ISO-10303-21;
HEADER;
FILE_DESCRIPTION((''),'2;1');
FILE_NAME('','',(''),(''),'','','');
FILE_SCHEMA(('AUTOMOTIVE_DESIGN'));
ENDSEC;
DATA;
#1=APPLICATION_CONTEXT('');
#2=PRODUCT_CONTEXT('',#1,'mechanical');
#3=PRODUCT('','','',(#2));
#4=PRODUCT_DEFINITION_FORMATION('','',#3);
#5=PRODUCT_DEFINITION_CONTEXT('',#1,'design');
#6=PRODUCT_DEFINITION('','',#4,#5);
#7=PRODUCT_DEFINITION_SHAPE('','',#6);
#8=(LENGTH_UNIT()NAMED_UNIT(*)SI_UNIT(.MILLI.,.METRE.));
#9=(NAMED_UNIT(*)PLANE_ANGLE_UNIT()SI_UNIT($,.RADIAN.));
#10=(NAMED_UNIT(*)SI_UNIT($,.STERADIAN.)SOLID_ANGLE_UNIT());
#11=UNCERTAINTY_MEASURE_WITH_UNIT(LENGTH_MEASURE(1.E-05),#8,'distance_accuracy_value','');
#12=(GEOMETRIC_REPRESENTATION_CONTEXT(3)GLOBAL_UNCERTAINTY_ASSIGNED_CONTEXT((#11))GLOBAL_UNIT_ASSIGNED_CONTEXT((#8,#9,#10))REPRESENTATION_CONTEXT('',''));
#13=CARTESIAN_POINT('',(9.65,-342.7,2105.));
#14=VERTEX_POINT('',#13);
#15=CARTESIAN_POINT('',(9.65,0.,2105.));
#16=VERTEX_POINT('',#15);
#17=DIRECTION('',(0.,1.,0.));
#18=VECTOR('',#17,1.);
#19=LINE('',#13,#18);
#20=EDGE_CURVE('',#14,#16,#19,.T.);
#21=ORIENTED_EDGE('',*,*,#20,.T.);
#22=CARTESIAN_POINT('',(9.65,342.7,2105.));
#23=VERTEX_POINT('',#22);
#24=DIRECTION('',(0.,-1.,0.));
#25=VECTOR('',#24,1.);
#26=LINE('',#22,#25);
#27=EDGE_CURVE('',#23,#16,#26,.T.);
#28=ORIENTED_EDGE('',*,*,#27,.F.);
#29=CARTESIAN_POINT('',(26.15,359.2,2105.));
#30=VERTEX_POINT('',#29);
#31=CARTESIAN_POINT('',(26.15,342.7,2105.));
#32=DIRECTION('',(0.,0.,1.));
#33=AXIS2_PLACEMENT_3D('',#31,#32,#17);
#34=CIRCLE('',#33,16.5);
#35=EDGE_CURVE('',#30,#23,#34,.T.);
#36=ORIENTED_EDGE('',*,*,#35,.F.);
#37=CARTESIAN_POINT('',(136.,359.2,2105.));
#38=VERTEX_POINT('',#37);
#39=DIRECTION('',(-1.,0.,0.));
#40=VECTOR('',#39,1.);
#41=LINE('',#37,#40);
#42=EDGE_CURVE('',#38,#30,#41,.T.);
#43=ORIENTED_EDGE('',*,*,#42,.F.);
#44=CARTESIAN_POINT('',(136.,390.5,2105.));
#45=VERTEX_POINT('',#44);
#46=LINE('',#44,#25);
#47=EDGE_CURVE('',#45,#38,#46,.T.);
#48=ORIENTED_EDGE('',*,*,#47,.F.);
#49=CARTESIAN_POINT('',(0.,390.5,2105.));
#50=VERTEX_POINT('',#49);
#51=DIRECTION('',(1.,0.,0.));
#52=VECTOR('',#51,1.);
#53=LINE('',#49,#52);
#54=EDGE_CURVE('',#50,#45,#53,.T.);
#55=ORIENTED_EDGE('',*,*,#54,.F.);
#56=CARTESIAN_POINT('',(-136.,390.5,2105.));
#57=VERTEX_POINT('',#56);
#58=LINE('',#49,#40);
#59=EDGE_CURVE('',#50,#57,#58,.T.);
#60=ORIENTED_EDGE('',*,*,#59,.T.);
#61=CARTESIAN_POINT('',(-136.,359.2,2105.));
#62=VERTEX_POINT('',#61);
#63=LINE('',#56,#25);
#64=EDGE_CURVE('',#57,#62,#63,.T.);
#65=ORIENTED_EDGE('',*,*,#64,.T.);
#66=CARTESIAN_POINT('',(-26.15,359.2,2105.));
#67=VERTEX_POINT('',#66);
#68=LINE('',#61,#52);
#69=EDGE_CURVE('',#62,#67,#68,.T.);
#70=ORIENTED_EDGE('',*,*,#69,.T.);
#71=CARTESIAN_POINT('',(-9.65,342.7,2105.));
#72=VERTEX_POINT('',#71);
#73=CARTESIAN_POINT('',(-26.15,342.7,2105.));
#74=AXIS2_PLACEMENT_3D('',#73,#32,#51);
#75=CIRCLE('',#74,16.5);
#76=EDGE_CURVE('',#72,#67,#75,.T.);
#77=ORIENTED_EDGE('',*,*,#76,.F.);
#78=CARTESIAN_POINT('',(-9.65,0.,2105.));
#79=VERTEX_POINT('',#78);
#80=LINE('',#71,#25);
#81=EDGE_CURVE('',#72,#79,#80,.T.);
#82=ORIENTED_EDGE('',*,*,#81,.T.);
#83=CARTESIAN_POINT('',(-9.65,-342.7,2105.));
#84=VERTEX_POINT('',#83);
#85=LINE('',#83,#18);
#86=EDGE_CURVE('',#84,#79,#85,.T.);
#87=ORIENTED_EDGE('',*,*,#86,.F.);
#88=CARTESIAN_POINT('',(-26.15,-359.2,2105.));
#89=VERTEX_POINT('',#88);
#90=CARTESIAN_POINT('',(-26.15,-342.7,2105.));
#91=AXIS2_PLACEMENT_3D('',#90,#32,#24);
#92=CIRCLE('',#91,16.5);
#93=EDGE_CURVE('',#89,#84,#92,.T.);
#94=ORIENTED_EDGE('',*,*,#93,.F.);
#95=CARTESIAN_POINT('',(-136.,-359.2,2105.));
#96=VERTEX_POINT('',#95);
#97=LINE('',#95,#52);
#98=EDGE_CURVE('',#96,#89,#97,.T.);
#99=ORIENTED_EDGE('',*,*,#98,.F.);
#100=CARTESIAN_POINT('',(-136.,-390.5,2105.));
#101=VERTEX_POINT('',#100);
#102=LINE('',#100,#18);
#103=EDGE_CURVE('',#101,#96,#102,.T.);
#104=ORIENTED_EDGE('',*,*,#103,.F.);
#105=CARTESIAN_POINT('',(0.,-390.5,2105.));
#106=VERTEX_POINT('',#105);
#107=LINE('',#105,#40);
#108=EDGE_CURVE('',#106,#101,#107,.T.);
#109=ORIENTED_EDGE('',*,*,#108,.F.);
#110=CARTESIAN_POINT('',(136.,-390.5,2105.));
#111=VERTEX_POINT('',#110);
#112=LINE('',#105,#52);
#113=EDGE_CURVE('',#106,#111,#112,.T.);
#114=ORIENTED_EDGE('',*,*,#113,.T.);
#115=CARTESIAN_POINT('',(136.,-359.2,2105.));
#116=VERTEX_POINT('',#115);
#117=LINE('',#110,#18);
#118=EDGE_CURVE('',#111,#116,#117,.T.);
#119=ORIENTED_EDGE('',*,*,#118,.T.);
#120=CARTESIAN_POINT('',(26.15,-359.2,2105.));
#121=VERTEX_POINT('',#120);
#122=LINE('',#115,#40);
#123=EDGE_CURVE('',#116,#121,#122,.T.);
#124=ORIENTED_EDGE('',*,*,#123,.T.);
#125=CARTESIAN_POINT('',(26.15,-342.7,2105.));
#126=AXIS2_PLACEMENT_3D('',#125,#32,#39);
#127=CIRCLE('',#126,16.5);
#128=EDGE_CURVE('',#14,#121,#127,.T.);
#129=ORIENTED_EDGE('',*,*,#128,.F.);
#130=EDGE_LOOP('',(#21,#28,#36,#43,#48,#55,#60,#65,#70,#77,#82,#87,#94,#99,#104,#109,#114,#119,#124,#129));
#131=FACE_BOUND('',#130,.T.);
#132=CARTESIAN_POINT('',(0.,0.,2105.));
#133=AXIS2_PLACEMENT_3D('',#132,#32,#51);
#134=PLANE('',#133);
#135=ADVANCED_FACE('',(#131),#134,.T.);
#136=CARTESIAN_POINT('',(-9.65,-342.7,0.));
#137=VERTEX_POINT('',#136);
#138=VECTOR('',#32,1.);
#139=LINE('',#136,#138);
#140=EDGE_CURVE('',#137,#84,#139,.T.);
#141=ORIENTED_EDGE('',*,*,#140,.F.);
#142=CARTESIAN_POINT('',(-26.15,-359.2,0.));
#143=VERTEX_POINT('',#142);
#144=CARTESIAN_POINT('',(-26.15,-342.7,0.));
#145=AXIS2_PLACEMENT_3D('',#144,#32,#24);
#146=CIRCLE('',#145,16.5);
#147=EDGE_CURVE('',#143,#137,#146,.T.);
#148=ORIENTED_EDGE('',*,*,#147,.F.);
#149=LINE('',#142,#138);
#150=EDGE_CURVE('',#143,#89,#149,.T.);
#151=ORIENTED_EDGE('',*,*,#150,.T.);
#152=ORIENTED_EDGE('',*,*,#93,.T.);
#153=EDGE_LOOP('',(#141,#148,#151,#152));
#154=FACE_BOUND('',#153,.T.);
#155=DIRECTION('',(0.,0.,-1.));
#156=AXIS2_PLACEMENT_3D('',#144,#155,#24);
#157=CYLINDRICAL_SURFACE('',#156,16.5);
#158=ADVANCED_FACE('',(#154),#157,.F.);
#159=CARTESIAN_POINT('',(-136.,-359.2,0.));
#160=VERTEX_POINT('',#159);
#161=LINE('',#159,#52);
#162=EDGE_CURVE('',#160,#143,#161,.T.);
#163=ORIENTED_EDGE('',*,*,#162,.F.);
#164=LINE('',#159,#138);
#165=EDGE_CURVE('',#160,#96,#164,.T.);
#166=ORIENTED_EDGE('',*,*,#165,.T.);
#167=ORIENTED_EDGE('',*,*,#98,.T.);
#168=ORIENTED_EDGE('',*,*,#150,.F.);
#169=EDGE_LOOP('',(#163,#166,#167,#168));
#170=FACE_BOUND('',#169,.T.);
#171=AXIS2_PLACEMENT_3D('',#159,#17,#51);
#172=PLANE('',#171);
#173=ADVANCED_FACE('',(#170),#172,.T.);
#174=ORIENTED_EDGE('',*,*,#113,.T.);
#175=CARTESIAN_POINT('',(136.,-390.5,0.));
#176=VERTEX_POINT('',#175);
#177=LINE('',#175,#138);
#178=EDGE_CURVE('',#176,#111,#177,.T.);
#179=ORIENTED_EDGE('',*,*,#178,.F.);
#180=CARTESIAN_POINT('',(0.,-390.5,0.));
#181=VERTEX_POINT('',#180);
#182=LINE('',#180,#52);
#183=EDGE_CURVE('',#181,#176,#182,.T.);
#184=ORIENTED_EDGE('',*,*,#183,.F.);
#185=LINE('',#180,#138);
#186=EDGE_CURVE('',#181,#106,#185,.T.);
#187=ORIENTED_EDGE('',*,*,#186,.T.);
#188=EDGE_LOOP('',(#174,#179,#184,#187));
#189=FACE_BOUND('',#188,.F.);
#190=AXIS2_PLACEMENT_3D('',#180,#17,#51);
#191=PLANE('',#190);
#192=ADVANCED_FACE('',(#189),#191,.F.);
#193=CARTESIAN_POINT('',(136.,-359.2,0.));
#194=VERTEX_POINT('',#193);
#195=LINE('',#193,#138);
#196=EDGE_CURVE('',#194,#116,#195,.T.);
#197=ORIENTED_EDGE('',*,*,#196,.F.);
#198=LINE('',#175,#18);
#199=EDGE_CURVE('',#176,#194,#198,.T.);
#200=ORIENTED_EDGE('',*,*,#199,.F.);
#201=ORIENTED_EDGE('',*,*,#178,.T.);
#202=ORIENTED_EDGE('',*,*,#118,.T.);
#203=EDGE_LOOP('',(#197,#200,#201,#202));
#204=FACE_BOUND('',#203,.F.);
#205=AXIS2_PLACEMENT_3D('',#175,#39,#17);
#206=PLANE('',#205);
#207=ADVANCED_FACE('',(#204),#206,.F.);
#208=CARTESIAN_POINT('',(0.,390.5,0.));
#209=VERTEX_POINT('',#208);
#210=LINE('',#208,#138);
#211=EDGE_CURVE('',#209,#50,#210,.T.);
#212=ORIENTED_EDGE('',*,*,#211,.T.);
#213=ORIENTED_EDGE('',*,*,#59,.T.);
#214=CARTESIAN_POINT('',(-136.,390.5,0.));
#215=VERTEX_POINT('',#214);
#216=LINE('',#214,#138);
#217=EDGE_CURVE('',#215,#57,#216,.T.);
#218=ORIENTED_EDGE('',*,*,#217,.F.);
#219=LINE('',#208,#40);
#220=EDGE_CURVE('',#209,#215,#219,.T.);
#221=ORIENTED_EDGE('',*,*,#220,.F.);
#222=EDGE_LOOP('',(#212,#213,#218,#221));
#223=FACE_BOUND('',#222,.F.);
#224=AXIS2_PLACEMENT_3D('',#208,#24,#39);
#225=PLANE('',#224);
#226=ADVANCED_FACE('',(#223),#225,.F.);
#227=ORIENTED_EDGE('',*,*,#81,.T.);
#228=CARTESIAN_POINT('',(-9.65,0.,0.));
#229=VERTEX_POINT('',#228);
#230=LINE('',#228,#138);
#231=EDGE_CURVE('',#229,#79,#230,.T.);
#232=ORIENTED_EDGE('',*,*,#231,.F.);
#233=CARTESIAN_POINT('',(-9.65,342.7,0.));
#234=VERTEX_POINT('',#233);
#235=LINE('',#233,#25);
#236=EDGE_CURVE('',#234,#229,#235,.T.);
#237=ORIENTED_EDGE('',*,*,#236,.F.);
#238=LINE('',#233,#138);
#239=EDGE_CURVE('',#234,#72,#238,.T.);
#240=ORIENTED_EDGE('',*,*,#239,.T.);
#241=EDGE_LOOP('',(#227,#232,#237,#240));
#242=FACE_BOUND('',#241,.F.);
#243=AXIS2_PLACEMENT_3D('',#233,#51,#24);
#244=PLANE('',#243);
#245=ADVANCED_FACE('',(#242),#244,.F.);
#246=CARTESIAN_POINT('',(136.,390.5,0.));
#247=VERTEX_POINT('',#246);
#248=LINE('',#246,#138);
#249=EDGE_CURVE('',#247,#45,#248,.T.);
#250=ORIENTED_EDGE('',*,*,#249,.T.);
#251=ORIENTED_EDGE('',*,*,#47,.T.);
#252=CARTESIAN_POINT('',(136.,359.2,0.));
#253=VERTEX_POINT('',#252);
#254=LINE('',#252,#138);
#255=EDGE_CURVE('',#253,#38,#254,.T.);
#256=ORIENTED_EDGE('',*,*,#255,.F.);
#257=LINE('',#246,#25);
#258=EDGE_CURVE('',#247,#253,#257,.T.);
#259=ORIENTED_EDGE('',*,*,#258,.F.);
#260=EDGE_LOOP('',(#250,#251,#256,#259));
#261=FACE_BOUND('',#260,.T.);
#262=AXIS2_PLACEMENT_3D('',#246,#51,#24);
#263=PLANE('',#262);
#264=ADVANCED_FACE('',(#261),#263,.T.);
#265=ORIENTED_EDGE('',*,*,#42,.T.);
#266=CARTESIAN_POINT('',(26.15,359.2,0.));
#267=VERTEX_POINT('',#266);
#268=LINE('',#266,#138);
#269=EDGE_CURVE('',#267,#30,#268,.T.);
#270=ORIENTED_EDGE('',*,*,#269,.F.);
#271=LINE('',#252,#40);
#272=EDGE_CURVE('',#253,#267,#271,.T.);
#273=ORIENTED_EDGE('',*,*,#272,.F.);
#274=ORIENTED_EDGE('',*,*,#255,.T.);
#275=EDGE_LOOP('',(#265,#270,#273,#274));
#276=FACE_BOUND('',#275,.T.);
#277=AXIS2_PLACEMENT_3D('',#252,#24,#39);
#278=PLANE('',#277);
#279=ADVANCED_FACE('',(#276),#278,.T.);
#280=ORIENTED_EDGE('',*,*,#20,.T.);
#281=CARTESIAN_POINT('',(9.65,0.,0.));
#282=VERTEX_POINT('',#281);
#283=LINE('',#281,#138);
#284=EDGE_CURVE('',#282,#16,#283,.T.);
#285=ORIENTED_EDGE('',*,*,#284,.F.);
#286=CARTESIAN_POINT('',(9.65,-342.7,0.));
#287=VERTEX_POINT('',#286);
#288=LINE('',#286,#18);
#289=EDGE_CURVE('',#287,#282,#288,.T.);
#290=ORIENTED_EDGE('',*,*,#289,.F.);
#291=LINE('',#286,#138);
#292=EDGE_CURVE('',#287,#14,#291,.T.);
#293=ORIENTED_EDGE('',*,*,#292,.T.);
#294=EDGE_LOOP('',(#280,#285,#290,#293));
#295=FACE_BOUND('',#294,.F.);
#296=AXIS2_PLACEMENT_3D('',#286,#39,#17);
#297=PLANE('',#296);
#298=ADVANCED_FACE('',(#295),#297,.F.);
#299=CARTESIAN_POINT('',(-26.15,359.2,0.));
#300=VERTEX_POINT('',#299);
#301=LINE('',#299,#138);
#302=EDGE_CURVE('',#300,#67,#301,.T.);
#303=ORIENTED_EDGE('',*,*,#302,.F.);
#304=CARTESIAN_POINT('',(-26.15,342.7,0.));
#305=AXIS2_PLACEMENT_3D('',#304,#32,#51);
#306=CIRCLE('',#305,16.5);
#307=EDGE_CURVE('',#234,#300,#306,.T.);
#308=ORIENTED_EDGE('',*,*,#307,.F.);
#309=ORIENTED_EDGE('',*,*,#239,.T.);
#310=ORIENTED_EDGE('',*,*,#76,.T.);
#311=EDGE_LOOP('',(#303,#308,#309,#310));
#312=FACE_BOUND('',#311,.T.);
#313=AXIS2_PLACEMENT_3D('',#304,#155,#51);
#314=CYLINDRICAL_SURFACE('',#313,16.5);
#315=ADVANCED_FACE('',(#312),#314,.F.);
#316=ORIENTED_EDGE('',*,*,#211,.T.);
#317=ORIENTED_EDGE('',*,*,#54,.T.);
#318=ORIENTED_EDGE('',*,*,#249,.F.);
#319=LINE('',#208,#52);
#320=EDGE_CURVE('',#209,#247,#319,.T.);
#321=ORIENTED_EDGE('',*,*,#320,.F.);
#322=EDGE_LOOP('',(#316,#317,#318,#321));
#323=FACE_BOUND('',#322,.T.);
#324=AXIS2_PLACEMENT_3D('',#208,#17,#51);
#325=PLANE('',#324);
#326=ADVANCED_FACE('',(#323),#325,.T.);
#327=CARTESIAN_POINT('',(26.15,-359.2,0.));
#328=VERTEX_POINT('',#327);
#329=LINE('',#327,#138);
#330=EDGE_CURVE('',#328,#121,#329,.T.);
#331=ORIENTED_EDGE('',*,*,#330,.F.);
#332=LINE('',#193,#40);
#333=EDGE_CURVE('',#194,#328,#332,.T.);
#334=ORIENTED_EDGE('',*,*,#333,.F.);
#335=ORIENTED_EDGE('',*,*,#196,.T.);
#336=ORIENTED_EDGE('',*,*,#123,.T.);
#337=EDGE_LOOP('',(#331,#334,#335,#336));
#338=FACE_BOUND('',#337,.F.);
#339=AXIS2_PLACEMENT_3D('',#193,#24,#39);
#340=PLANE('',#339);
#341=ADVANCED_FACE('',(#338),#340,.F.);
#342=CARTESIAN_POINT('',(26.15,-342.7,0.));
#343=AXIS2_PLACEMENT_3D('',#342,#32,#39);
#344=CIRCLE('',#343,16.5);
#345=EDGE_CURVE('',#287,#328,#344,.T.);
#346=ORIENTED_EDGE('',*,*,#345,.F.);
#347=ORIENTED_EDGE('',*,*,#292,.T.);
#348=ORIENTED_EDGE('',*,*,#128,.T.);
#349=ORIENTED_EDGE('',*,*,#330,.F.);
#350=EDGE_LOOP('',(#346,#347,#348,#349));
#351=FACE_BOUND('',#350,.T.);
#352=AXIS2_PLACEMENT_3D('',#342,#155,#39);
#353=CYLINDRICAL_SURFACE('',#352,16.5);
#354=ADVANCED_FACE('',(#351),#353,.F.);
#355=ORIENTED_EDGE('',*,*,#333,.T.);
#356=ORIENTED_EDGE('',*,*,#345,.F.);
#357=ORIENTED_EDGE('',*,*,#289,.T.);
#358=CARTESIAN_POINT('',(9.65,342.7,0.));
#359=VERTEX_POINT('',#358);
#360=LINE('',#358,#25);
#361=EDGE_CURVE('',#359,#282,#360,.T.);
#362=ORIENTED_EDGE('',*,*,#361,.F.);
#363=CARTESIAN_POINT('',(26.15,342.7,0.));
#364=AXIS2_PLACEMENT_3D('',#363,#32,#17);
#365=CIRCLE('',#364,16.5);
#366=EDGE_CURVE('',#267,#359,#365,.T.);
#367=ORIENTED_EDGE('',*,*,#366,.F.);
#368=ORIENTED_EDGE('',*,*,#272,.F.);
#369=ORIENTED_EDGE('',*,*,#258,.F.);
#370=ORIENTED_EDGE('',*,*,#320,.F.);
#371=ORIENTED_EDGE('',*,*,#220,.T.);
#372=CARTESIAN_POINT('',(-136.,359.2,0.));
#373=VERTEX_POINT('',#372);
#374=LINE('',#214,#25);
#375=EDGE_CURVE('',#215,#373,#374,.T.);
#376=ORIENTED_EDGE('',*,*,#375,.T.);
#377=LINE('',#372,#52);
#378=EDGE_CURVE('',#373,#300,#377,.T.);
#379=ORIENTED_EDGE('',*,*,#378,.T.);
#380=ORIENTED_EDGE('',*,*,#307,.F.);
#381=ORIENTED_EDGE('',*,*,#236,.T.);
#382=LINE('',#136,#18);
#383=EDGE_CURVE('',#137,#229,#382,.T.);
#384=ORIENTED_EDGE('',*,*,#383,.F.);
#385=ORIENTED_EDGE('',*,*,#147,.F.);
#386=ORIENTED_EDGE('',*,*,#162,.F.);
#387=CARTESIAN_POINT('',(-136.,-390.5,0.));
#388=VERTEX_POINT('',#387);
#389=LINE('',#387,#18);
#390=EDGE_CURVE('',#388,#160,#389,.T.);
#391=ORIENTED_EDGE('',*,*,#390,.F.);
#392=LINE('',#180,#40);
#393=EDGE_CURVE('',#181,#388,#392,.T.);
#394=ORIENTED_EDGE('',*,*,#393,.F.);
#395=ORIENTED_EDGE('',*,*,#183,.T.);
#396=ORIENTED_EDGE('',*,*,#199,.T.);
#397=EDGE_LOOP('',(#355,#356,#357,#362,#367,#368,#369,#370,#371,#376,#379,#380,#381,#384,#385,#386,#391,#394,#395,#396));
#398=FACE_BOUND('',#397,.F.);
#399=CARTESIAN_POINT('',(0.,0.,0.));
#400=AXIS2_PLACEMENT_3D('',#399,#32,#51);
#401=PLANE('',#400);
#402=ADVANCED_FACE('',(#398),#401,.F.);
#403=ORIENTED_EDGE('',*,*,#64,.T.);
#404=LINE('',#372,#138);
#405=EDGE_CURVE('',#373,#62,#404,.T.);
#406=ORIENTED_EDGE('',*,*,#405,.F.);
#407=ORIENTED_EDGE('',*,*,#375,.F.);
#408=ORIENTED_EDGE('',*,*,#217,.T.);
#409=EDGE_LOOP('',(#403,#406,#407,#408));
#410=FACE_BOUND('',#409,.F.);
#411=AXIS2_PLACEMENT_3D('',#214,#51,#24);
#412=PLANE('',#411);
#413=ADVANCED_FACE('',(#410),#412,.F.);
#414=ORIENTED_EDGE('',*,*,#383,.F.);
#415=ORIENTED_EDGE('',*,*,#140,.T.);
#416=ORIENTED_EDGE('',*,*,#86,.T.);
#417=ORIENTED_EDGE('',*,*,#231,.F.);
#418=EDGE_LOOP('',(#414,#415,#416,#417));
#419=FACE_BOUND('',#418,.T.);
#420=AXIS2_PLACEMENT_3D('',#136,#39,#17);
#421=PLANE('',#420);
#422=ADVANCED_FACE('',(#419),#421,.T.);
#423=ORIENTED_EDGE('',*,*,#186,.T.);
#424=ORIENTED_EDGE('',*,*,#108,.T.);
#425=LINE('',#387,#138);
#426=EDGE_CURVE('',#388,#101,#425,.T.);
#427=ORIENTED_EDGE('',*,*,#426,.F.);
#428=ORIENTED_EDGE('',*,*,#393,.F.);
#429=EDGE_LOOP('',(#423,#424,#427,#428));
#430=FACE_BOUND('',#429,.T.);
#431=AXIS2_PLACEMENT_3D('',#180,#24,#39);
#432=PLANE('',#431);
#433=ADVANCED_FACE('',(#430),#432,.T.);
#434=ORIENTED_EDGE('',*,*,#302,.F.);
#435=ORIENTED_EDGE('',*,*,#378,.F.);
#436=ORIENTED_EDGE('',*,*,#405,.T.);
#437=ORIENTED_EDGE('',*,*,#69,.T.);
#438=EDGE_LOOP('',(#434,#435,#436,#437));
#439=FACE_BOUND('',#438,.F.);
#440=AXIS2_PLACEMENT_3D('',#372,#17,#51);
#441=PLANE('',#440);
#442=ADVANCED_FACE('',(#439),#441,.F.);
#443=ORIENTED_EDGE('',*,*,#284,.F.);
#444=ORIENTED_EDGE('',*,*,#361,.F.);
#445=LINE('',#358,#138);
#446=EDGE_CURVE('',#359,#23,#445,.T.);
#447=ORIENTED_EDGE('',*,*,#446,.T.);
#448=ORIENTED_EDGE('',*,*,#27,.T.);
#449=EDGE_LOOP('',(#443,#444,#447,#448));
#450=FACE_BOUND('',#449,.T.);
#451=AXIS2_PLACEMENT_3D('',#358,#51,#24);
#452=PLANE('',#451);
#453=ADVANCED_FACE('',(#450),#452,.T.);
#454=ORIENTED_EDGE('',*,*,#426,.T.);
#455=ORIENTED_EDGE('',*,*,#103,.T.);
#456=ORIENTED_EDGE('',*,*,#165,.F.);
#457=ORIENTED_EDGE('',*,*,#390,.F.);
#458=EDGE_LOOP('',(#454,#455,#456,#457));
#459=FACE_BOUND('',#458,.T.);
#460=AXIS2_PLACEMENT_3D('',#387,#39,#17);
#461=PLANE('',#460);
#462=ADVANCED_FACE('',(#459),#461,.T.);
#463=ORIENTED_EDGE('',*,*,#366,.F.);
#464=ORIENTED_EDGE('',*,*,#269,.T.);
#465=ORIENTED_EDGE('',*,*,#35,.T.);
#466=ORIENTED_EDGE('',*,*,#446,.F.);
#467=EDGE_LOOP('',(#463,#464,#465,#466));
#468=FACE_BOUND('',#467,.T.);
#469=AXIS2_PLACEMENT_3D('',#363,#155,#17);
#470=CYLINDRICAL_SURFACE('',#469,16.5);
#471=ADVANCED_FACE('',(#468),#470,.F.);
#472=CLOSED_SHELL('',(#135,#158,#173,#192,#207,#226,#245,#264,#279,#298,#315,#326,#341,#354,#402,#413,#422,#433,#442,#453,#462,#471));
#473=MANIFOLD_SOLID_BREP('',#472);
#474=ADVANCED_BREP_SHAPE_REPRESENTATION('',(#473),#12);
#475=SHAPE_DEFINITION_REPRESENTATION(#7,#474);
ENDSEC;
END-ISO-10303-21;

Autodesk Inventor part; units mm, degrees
ref_plane "YZ Plane" through (0, 0, 0) normal (1, 0, 0) x (0, 1, 0)
ref_plane "Start plane" through (0, 0, 0) normal (0, 0, 1) x (1, 0, 0)
ref_plane "End plane" through (0, 0, 2105) normal (0, 0, 1) x (1, 0, 0)
sketch "Sketch" plane through (0, 0, 0) normal (0, 0, 1) x (1, 0, 0)
  line L0 (-136, -390.5) -> (-136, -359.2)
  line L1 (-136, -359.2) -> (-26.15, -359.2)
  line L2 (-9.65, -342.7) -> (-9.65, 0)
  line L3 (-9.65, 0) -> (0, 0) construction
  line L4 (0, 0) -> (0, -390.5) construction
  line L5 (0, -390.5) -> (-136, -390.5)
  line L6 (-60, 0) -> (80, 0) construction
  line L7 (0, -60) -> (0, 80) construction
  line L8 (136, -390.5) -> (136, -359.2)
  line L9 (136, -359.2) -> (26.15, -359.2)
  line L10 (9.65, -342.7) -> (9.65, 0)
  line L11 (9.65, 0) -> (0, 0) construction
  line L12 (0, -390.5) -> (136, -390.5)
  line L13 (-136, 390.5) -> (-136, 359.2)
  line L14 (-136, 359.2) -> (-26.15, 359.2)
  line L15 (-9.65, 342.7) -> (-9.65, 0)
  line L16 (0, 390.5) -> (-136, 390.5)
  line L17 (136, 390.5) -> (136, 359.2)
  line L18 (136, 359.2) -> (26.15, 359.2)
  line L19 (0, 390.5) -> (136, 390.5)
  line L20 (9.65, 342.7) -> (9.65, 0)
  arc A0 (-9.65, 342.7) -> (-26.15, 359.2) centre (-26.15, 342.7) ccw
  arc A1 (26.15, 359.2) -> (9.65, 342.7) centre (26.15, 342.7) ccw
  arc A2 (9.65, -342.7) -> (26.15, -359.2) centre (26.15, -342.7) ccw
  arc A3 (-26.15, -359.2) -> (-9.65, -342.7) centre (-26.15, -342.7) ccw
  line L21 (0, 108) -> (0, -88) construction
  line L22 (-88, 0) -> (108, 0) construction
  point P0 (-9.65, -359.2)
  point P1 (9.65, -359.2)
  point P2 (-9.65, 359.2)
  point P3 (9.65, 359.2)
  dimension "d1" = 390.5
  dimension "d2" = 31.3
  dimension "d3" = 136
  dimension "d4" = 9.65
  dimension "d10" = 16.5
extrude "Body" add sketch "Sketch" along normal up to surface (2105 mm away) from surface at 0
sketch "Sketch4" plane through (0, 0, 0) normal (0, 0, 1) x (1, 0, 0)
  line L0 (0, 0) -> (10, 0)
ref_plane "Work Plane3" through (0, 0, 0) normal (0, -1, 0) x (1, 0, 0)
sketch "Sketch5" plane through (0, 0, 0) normal (0, -1, 0) x (1, 0, 0)
  line L0 (-2, 0) -> (12, 0) projected
  line L1 (-2, 2105) -> (12, 2105) projected
  dimension "d14" = 2105
equation "\"d1\" = 0.5 * G_H"
equation "\"d2\" = G_T1"
equation "\"d3\" = 0.5 * G_W"
equation "\"d4\" = 0.5 * G_T"
equation "\"d10\" = G_IR"
equation "\"d5\" = G_L"
equation "\"G_W\" = 272"
equation "\"G_H\" = 781"
equation "\"G_T\" = 19.3"
equation "\"G_T1\" = 31.3"
equation "\"G_IR\" = 16.5"
equation "\"G_L\" = d14"
equation "\"G_OFFSET_START\" = 0"
equation "\"G_OFFSET_END\" = 0"
equation "\"d12\" = G_OFFSET_END + B_L"
equation "\"B_L\" = 2105"
properties part number "AS 3679-1990 - 760 UB - 244 - 2105" material "Steel, Mild"
